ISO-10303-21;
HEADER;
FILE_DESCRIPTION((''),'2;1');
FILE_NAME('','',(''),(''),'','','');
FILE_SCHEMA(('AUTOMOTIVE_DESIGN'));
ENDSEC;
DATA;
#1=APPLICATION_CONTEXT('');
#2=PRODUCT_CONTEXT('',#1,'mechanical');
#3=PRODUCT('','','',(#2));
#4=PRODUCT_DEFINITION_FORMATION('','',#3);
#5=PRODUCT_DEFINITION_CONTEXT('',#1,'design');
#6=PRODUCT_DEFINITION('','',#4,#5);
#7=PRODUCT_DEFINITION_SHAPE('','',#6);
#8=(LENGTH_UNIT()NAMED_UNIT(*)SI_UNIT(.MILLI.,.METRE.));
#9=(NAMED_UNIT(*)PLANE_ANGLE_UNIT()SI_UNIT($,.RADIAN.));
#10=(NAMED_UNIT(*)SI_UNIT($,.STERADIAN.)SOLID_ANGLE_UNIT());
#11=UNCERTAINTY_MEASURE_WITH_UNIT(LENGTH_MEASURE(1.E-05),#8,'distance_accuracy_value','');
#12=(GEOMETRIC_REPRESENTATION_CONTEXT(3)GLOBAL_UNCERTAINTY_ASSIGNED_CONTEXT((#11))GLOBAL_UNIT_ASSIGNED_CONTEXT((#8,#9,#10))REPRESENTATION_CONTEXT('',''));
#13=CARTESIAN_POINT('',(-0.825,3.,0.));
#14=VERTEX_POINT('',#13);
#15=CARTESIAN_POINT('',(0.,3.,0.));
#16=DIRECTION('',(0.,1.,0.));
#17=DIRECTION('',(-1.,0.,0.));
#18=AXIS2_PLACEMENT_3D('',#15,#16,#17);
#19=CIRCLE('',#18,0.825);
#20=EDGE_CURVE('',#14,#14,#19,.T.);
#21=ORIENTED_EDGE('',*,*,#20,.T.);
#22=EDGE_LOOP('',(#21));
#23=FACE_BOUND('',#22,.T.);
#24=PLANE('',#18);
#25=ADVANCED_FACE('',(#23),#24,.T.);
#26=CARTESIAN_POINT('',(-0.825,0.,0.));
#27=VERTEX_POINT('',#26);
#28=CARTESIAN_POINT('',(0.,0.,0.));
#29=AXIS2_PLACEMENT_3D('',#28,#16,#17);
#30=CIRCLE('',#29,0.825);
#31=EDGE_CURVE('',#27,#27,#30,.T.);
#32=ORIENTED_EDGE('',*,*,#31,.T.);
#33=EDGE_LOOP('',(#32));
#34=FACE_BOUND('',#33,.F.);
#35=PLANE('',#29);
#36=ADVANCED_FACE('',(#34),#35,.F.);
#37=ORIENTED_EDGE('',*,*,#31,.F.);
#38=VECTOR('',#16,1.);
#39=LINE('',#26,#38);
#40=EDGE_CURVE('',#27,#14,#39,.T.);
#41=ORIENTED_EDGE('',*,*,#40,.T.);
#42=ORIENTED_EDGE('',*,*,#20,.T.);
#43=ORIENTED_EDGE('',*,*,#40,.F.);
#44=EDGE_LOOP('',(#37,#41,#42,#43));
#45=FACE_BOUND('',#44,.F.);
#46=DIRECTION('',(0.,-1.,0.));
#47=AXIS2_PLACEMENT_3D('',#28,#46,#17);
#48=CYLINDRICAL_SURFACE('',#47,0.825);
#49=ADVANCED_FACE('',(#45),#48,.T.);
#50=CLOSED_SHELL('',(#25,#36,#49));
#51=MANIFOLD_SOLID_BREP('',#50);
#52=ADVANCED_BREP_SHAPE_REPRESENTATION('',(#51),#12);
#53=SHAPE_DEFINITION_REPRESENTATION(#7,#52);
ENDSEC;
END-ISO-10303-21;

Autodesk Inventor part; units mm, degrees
ref_plane "YZ Plane" through (0, 0, 0) normal (1, 0, 0) x (0, 1, 0)
ref_plane "XZ Plane" through (0, 0, 0) normal (0, 1, 0) x (-1, 0, 0)
ref_plane "XY Plane" through (0, 0, 0) normal (0, 0, 1) x (1, 0, 0)
sketch "Sketch1" plane through (0, 0, 0) normal (0, 1, 0) x (-1, 0, 0)
  circle A0 centre (0, 0) radius 0.825
  point P0 (0.8211, -0.08)
  point P1 (-0.3455, 0.7492)
  point P2 (-0.4394, 0.6983)
  point P3 (-0.4448, -0.6948)
  point P4 (-0.3436, -0.7501)
  point P5 (0.8212, 0.0791)
  dimension "d37" = 1.65
extrude "Extrusion1" add sketch "Sketch1" along normal blind 3
properties part number "Small Peg Part"
